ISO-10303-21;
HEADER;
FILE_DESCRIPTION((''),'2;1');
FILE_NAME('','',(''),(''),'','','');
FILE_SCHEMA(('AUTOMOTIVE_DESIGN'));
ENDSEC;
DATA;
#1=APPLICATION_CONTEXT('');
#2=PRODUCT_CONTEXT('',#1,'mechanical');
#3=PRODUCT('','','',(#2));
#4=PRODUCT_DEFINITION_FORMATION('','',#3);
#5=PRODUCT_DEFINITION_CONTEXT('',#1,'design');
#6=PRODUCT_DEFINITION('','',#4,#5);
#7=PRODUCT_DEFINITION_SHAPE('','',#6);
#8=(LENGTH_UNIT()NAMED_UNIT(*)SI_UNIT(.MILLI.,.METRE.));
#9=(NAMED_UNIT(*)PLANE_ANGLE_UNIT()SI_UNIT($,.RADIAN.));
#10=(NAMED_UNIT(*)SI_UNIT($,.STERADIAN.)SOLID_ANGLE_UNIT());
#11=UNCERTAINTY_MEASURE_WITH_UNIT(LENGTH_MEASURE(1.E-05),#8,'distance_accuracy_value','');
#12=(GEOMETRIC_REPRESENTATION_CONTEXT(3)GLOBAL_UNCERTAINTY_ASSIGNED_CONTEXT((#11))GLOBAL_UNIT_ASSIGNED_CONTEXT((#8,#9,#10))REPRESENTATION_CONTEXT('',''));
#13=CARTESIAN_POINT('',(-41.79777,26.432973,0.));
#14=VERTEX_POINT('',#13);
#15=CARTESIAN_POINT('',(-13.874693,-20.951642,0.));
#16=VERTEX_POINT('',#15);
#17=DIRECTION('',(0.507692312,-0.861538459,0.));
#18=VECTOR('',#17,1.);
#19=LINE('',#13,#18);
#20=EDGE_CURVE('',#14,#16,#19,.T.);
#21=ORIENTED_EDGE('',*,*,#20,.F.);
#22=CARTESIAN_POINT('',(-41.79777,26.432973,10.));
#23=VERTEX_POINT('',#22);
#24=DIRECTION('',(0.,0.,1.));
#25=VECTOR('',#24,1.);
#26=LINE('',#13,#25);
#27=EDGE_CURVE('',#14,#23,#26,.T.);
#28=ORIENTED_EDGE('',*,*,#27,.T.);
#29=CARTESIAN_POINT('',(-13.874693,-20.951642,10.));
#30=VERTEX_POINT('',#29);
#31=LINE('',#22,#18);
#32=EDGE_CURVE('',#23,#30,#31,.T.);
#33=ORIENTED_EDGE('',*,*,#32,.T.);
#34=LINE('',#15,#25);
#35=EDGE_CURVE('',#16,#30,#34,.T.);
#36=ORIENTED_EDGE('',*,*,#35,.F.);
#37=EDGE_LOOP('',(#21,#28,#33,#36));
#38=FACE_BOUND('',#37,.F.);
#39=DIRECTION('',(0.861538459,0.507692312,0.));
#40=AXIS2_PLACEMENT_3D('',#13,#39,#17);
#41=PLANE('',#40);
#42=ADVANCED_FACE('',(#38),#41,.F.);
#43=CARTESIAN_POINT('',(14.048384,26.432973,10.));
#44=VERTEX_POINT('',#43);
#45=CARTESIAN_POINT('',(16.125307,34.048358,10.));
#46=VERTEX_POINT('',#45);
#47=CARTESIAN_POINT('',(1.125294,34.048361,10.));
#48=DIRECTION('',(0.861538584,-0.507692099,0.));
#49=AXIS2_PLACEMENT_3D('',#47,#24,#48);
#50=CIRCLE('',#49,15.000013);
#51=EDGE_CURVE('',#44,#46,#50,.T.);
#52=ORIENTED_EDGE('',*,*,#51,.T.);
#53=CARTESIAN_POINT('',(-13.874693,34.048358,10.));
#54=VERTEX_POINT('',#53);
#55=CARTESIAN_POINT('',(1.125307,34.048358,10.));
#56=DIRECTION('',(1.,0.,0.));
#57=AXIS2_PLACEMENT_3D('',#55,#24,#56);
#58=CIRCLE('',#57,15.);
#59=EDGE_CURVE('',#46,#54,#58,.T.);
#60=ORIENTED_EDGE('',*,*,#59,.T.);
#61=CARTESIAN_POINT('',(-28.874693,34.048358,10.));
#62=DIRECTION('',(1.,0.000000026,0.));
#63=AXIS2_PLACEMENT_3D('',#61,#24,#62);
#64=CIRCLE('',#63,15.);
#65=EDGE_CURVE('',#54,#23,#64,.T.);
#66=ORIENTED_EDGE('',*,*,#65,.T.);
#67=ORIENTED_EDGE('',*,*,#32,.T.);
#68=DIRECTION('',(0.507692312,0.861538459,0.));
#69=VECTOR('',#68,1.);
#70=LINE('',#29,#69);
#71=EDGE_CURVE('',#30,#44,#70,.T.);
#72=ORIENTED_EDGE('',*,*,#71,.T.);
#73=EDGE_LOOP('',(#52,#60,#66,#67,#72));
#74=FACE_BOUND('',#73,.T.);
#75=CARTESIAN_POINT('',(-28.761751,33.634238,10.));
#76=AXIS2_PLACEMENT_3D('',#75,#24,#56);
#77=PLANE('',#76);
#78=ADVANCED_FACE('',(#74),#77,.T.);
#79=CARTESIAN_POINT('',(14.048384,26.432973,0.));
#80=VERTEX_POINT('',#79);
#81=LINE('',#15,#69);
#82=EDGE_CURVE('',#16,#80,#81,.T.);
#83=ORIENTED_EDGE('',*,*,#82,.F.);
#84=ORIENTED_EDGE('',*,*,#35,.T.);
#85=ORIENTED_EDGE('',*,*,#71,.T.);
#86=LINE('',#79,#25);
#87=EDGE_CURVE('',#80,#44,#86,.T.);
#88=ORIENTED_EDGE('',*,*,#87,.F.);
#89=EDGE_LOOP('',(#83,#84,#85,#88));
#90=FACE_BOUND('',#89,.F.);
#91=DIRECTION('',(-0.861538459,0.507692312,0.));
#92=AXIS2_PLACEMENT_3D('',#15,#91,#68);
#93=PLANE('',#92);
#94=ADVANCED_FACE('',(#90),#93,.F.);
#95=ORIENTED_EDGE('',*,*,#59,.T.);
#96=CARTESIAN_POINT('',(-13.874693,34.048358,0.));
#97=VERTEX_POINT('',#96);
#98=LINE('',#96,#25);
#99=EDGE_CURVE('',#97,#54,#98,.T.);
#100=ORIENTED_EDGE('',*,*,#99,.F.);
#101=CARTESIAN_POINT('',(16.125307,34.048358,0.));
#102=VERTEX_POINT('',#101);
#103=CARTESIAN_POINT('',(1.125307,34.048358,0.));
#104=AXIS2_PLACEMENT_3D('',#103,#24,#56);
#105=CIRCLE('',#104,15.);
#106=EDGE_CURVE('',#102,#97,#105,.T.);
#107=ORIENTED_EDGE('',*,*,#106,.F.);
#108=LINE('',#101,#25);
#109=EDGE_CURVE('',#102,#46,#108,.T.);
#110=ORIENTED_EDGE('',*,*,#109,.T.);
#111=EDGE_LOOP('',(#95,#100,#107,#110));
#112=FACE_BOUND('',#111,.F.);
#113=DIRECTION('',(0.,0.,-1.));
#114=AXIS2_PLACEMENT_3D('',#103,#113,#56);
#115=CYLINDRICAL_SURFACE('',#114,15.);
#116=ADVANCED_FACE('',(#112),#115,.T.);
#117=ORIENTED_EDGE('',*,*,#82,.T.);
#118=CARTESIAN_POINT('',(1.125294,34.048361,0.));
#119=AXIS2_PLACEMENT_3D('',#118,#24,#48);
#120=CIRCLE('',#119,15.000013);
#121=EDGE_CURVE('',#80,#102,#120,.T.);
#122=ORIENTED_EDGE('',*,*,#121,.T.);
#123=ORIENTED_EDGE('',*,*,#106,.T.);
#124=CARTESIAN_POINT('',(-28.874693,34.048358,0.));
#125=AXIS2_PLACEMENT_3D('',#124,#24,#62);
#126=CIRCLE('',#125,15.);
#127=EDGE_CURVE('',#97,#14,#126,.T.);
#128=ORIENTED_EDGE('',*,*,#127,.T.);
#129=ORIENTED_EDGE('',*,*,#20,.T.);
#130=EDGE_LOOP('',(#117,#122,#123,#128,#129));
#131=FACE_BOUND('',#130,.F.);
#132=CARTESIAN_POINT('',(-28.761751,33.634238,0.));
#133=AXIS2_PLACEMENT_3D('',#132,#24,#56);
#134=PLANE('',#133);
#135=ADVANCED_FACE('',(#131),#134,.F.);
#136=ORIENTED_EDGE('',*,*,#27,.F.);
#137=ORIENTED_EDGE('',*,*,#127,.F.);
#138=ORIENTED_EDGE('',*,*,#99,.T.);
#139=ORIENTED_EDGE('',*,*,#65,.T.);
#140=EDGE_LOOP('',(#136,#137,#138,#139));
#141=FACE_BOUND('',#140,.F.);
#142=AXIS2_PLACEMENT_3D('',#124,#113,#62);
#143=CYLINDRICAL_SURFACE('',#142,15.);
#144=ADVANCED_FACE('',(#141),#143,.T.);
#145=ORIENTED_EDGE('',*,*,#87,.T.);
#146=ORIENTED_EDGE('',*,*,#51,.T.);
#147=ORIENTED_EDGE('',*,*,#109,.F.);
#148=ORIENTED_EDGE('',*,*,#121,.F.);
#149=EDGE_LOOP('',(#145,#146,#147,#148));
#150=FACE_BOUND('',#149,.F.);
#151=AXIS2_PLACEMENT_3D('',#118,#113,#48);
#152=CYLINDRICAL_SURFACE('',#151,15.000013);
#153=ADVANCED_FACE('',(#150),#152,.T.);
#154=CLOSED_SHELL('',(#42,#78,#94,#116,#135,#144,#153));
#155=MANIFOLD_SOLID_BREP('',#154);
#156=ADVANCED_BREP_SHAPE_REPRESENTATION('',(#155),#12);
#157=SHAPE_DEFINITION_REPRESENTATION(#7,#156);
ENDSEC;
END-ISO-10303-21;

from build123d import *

# Parameters (mm, degrees)
F1_DEPTH = 10


with BuildPart() as f1:
    # F0 (on Top) → F1 (new body)
    with BuildSketch(Plane.XY):
        with BuildLine():
            ThreePointArc((-41.79777, 26.432973), (-24.927932, 19.576901), (-13.874693, 34.048358))
            ThreePointArc((-13.874693, 34.048358), (-32.821454, 48.519815), (-41.79777, 26.432973))
        make_face()
        with BuildLine():
            ThreePointArc((14.048384, 26.432973), (-2.821454, 19.576901), (-13.874693, 34.048358))
            ThreePointArc((-13.874693, 34.048358), (-24.927932, 19.576901), (-41.79777, 26.432973))
            Line((-41.79777, 26.432973), (-13.874693, -20.951642))
            Line((-13.874693, -20.951642), (14.048384, 26.432973))
        make_face()
        with BuildLine():
            ThreePointArc((16.125307, 34.048358), (1.125307, 49.048358), (-13.874693, 34.048358))
            ThreePointArc((-13.874693, 34.048358), (-2.821454, 19.576901), (14.048384, 26.432973))
            ThreePointArc((14.048384, 26.432973), (15.596764, 30.101597), (16.125307, 34.048358))
        make_face()
    extrude(amount=F1_DEPTH)


solid = f1.part
